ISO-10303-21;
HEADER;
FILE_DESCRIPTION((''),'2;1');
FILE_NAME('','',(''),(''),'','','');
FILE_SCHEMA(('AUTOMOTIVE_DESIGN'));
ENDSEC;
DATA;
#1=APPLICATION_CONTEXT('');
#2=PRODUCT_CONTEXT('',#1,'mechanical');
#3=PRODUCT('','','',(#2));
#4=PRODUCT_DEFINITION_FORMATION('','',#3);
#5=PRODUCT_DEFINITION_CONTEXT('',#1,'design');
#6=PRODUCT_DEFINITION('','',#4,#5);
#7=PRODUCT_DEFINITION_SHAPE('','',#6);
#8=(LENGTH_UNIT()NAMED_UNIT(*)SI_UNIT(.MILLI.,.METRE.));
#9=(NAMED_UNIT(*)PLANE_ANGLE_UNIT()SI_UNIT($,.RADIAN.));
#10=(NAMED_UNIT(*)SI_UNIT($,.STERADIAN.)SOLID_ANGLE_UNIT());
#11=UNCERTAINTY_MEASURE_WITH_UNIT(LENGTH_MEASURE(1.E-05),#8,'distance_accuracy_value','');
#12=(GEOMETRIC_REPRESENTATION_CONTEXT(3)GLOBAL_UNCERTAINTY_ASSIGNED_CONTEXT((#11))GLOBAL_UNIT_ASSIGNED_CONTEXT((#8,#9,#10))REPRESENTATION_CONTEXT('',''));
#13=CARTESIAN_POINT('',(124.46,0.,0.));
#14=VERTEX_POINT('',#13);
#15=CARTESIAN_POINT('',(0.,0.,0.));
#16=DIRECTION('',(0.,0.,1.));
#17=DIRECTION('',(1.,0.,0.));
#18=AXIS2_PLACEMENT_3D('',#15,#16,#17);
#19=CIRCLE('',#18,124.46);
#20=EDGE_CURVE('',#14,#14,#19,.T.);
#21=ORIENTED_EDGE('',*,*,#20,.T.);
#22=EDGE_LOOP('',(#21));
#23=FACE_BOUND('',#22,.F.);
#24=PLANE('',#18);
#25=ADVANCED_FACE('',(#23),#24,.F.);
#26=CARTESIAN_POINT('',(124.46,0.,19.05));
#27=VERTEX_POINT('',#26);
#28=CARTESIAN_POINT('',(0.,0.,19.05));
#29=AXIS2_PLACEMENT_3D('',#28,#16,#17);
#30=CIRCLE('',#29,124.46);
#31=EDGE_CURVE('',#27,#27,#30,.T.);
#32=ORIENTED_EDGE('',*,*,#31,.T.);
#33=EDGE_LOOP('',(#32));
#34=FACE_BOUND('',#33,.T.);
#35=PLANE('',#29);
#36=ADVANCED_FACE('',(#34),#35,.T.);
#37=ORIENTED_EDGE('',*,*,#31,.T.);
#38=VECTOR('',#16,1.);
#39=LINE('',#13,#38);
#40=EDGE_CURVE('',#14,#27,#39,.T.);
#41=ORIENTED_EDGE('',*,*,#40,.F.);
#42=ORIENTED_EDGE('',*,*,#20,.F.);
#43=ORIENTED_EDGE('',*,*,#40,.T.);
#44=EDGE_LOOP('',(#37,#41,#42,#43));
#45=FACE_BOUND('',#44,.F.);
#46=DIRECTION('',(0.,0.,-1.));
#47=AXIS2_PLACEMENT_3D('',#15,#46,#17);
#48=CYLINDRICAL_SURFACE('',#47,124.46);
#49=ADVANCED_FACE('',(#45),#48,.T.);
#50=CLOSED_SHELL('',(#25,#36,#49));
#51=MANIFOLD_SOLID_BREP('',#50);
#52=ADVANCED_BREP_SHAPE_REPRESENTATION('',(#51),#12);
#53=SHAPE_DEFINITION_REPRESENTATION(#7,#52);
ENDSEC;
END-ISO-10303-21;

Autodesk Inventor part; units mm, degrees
ref_plane "YZ Plane" through (0, 0, 0) normal (1, 0, 0) x (0, 1, 0)
ref_plane "XZ Plane" through (0, 0, 0) normal (0, 1, 0) x (-1, 0, 0)
ref_plane "XY Plane" through (0, 0, 0) normal (0, 0, 1) x (1, 0, 0)
ref_plane "Work Plane1" through (0, 0, 0) normal (0, 0, 1) x (1, 0, 0)
sketch "Sketch1" plane through (0, 0, 0) normal (0, 0, 1) x (1, 0, 0)
  circle A0 centre (0, 0) radius 124.46
  dimension "d0" = 248.92
extrude "Extrusion1" add sketch "Sketch1" along normal blind 19.05
